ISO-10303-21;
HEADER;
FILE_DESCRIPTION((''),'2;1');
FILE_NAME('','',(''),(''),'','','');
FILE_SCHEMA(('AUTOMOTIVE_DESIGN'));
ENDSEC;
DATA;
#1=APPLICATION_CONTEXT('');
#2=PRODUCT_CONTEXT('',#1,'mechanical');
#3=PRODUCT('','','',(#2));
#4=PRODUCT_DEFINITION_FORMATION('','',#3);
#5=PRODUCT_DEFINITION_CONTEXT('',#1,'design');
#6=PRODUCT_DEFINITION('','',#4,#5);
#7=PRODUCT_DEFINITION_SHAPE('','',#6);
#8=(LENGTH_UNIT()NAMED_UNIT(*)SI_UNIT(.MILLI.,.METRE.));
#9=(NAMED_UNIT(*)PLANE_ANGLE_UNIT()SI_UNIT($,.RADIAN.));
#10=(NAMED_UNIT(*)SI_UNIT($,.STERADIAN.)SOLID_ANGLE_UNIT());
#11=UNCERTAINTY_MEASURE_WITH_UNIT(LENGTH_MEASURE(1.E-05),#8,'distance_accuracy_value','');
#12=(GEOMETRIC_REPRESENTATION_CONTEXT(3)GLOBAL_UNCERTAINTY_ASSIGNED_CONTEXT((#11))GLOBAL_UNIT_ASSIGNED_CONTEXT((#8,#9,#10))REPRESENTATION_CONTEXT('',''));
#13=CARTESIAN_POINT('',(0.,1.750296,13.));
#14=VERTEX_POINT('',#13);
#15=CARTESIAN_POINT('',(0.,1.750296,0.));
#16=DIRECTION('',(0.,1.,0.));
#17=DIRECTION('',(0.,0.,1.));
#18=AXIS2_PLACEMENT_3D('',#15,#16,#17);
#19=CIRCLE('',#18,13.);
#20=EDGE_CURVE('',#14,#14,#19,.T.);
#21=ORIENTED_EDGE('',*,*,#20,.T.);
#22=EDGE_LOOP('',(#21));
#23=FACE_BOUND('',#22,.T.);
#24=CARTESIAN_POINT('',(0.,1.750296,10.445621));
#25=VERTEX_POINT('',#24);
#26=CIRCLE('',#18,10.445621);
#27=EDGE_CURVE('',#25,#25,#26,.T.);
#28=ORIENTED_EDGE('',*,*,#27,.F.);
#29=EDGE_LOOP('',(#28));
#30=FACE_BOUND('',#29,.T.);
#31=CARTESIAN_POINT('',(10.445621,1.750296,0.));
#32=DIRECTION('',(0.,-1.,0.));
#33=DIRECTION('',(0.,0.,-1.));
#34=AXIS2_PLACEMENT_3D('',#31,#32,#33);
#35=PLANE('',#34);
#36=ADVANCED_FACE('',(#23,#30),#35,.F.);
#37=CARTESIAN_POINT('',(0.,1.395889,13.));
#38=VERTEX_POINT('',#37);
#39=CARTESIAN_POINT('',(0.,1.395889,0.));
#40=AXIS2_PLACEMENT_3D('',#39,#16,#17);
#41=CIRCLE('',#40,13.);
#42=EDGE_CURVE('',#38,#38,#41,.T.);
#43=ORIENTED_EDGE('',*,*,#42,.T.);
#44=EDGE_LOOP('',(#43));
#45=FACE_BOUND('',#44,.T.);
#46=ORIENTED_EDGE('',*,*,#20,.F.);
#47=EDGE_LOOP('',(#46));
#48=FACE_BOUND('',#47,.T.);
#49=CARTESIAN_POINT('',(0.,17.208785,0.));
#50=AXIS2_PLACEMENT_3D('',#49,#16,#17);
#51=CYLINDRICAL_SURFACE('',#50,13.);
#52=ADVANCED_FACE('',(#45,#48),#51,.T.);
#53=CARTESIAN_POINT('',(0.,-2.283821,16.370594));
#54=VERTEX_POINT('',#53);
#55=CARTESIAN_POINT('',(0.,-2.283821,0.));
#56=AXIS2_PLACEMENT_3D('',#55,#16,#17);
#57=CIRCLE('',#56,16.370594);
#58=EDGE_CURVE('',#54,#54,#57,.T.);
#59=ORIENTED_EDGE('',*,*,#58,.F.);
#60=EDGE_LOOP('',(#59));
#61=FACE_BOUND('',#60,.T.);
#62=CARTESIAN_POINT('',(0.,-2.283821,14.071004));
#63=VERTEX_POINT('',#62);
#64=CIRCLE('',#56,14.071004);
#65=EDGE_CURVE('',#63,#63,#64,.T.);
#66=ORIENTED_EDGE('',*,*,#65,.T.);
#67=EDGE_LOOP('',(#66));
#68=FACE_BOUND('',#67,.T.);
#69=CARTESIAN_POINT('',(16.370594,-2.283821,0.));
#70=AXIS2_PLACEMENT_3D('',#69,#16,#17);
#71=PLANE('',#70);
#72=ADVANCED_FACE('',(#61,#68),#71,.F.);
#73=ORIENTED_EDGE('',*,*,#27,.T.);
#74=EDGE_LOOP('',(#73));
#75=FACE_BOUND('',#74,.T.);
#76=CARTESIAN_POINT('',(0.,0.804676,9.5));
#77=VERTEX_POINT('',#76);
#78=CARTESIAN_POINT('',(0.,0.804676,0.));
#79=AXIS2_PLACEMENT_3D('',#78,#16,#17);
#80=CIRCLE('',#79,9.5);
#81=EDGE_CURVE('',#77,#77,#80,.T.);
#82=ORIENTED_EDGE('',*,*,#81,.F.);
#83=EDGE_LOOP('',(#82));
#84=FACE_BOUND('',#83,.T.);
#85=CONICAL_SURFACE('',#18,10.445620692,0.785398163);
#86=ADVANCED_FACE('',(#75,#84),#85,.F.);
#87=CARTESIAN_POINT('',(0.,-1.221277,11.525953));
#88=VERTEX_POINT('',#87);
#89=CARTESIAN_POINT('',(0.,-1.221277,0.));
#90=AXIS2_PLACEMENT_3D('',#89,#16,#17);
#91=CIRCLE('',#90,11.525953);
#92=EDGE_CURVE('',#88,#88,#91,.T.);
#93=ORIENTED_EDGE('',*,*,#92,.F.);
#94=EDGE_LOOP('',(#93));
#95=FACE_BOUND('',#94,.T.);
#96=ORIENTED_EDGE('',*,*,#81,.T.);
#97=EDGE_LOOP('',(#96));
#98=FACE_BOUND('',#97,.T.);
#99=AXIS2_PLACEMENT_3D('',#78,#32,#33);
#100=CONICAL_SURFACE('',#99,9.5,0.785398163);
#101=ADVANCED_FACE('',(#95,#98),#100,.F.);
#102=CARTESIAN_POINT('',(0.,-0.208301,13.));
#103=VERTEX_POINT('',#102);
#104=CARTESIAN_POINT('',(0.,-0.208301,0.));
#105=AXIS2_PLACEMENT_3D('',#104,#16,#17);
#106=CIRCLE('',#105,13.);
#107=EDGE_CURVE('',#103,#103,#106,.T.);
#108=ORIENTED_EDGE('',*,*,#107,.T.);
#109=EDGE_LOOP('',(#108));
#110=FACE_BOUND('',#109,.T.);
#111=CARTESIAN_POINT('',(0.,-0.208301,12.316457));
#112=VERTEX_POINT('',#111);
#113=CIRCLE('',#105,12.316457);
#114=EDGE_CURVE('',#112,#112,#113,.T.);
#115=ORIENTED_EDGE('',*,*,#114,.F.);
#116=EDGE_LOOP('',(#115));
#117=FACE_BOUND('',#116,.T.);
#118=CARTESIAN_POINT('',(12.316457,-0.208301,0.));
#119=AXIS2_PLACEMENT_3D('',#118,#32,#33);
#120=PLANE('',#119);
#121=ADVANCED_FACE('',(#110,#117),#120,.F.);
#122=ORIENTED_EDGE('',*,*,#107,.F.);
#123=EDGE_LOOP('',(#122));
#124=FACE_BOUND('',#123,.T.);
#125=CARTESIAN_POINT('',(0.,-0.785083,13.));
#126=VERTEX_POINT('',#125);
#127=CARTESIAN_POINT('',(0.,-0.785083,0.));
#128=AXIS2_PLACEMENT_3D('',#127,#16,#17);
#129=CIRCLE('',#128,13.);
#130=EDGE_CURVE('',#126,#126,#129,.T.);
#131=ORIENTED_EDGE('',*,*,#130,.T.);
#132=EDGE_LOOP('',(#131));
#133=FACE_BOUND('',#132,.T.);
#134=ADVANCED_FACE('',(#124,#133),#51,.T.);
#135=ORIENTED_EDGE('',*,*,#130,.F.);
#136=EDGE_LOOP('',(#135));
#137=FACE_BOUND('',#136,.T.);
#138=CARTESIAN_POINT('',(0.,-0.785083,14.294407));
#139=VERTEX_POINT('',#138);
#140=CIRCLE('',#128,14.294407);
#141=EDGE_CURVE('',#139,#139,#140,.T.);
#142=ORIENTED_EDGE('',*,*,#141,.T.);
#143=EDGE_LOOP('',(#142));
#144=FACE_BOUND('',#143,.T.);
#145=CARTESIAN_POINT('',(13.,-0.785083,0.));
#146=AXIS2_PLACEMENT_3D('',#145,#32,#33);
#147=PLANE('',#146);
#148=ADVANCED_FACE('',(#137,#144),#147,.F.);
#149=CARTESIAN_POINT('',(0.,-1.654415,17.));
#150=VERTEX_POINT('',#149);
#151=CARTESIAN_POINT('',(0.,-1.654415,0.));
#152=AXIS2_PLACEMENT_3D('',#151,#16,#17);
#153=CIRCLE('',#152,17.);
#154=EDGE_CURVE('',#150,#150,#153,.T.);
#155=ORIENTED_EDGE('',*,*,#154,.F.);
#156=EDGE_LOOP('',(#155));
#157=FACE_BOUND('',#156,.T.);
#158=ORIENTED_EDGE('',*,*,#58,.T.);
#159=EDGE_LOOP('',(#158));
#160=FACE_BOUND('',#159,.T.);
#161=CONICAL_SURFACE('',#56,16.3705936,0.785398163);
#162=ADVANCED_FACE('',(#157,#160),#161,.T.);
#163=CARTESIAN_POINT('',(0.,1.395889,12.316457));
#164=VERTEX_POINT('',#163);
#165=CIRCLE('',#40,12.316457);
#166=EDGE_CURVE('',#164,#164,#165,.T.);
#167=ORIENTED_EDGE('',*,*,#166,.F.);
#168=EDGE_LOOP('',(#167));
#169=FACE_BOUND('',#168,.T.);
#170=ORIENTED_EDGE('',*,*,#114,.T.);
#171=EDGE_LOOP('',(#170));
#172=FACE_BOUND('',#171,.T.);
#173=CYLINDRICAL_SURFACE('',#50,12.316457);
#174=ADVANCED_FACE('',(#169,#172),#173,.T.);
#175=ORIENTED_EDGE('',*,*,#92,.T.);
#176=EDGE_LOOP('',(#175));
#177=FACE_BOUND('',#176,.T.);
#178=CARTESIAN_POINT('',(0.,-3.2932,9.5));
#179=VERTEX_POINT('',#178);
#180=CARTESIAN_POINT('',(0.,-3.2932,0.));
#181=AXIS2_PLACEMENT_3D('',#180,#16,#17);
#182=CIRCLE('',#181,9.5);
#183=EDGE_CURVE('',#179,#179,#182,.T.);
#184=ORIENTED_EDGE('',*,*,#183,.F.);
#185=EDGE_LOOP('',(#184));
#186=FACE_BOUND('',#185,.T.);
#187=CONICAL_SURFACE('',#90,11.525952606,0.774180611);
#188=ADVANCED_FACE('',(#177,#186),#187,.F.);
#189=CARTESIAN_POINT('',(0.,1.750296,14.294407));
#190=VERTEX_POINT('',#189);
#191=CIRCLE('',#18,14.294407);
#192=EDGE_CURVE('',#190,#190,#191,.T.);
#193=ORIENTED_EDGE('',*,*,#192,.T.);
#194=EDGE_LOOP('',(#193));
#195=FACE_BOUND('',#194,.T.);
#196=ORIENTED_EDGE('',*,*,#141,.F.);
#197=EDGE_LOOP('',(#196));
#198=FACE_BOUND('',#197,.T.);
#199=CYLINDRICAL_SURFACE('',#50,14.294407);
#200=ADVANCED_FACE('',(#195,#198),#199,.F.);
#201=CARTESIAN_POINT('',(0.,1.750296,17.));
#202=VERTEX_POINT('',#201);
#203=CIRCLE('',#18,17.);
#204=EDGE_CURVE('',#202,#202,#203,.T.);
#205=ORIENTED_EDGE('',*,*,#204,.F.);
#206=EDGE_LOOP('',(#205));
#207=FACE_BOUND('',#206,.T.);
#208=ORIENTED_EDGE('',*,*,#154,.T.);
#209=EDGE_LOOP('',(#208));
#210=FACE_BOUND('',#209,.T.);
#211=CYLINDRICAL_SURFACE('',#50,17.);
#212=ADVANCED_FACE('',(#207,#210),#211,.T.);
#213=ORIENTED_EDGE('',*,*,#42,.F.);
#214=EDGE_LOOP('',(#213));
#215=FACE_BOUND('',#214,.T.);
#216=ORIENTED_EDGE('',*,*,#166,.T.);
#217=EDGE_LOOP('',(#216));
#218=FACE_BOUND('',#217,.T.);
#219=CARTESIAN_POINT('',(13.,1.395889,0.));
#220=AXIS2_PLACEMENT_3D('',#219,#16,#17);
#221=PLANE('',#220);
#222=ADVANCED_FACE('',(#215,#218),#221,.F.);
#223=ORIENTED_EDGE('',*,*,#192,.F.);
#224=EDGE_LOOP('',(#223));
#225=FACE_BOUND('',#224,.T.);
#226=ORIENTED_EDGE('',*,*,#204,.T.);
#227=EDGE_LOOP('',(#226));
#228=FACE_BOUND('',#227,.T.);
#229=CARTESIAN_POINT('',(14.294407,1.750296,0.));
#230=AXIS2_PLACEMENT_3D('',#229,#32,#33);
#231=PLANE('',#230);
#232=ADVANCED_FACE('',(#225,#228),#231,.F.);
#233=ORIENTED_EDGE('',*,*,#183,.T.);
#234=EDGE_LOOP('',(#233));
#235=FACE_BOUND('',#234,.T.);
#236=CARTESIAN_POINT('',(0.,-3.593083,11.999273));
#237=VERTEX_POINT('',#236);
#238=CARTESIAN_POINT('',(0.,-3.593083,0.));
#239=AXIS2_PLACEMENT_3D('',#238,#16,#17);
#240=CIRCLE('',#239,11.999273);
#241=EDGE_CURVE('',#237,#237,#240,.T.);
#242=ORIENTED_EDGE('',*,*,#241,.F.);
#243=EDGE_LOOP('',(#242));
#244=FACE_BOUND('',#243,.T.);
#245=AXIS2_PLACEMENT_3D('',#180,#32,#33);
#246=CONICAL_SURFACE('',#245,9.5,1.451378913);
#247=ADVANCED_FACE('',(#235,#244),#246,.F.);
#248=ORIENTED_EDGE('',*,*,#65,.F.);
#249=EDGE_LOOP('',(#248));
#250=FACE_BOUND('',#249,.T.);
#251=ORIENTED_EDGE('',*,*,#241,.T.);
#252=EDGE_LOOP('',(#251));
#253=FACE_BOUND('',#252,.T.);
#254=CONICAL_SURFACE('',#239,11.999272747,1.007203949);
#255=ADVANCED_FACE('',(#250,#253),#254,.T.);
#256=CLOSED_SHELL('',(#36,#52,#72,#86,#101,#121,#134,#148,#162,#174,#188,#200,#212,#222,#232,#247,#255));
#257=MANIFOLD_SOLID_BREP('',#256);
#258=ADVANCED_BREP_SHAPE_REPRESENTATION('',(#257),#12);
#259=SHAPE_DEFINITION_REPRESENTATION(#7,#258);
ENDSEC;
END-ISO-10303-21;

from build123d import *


with BuildPart() as part:
    # Эскиз1 → Повернуть1 (revolve)
    with BuildSketch(Plane.XY):
        Polygon((11.525952606, -1.221276852), (9.5, 0.804675754), (10.445620692, 1.750296446), (13, 1.750296446), (13, 1.395888621), (12.316457293, 1.395888621), (12.316457293, -0.208300549), (13, -0.208300549), (13, -0.785082607), (14.294407296, -0.785082607), (14.294407296, 1.750296446), (17, 1.750296446), (17, -1.654414722), (16.3705936, -2.283821122), (14.071003585, -2.283821122), (11.999272747, -3.593083063), (9.5, -3.293199519), align=None)
    revolve(axis=Axis((0, 17.208784833, 0), (0, -1, 0)))


solid = part.part
